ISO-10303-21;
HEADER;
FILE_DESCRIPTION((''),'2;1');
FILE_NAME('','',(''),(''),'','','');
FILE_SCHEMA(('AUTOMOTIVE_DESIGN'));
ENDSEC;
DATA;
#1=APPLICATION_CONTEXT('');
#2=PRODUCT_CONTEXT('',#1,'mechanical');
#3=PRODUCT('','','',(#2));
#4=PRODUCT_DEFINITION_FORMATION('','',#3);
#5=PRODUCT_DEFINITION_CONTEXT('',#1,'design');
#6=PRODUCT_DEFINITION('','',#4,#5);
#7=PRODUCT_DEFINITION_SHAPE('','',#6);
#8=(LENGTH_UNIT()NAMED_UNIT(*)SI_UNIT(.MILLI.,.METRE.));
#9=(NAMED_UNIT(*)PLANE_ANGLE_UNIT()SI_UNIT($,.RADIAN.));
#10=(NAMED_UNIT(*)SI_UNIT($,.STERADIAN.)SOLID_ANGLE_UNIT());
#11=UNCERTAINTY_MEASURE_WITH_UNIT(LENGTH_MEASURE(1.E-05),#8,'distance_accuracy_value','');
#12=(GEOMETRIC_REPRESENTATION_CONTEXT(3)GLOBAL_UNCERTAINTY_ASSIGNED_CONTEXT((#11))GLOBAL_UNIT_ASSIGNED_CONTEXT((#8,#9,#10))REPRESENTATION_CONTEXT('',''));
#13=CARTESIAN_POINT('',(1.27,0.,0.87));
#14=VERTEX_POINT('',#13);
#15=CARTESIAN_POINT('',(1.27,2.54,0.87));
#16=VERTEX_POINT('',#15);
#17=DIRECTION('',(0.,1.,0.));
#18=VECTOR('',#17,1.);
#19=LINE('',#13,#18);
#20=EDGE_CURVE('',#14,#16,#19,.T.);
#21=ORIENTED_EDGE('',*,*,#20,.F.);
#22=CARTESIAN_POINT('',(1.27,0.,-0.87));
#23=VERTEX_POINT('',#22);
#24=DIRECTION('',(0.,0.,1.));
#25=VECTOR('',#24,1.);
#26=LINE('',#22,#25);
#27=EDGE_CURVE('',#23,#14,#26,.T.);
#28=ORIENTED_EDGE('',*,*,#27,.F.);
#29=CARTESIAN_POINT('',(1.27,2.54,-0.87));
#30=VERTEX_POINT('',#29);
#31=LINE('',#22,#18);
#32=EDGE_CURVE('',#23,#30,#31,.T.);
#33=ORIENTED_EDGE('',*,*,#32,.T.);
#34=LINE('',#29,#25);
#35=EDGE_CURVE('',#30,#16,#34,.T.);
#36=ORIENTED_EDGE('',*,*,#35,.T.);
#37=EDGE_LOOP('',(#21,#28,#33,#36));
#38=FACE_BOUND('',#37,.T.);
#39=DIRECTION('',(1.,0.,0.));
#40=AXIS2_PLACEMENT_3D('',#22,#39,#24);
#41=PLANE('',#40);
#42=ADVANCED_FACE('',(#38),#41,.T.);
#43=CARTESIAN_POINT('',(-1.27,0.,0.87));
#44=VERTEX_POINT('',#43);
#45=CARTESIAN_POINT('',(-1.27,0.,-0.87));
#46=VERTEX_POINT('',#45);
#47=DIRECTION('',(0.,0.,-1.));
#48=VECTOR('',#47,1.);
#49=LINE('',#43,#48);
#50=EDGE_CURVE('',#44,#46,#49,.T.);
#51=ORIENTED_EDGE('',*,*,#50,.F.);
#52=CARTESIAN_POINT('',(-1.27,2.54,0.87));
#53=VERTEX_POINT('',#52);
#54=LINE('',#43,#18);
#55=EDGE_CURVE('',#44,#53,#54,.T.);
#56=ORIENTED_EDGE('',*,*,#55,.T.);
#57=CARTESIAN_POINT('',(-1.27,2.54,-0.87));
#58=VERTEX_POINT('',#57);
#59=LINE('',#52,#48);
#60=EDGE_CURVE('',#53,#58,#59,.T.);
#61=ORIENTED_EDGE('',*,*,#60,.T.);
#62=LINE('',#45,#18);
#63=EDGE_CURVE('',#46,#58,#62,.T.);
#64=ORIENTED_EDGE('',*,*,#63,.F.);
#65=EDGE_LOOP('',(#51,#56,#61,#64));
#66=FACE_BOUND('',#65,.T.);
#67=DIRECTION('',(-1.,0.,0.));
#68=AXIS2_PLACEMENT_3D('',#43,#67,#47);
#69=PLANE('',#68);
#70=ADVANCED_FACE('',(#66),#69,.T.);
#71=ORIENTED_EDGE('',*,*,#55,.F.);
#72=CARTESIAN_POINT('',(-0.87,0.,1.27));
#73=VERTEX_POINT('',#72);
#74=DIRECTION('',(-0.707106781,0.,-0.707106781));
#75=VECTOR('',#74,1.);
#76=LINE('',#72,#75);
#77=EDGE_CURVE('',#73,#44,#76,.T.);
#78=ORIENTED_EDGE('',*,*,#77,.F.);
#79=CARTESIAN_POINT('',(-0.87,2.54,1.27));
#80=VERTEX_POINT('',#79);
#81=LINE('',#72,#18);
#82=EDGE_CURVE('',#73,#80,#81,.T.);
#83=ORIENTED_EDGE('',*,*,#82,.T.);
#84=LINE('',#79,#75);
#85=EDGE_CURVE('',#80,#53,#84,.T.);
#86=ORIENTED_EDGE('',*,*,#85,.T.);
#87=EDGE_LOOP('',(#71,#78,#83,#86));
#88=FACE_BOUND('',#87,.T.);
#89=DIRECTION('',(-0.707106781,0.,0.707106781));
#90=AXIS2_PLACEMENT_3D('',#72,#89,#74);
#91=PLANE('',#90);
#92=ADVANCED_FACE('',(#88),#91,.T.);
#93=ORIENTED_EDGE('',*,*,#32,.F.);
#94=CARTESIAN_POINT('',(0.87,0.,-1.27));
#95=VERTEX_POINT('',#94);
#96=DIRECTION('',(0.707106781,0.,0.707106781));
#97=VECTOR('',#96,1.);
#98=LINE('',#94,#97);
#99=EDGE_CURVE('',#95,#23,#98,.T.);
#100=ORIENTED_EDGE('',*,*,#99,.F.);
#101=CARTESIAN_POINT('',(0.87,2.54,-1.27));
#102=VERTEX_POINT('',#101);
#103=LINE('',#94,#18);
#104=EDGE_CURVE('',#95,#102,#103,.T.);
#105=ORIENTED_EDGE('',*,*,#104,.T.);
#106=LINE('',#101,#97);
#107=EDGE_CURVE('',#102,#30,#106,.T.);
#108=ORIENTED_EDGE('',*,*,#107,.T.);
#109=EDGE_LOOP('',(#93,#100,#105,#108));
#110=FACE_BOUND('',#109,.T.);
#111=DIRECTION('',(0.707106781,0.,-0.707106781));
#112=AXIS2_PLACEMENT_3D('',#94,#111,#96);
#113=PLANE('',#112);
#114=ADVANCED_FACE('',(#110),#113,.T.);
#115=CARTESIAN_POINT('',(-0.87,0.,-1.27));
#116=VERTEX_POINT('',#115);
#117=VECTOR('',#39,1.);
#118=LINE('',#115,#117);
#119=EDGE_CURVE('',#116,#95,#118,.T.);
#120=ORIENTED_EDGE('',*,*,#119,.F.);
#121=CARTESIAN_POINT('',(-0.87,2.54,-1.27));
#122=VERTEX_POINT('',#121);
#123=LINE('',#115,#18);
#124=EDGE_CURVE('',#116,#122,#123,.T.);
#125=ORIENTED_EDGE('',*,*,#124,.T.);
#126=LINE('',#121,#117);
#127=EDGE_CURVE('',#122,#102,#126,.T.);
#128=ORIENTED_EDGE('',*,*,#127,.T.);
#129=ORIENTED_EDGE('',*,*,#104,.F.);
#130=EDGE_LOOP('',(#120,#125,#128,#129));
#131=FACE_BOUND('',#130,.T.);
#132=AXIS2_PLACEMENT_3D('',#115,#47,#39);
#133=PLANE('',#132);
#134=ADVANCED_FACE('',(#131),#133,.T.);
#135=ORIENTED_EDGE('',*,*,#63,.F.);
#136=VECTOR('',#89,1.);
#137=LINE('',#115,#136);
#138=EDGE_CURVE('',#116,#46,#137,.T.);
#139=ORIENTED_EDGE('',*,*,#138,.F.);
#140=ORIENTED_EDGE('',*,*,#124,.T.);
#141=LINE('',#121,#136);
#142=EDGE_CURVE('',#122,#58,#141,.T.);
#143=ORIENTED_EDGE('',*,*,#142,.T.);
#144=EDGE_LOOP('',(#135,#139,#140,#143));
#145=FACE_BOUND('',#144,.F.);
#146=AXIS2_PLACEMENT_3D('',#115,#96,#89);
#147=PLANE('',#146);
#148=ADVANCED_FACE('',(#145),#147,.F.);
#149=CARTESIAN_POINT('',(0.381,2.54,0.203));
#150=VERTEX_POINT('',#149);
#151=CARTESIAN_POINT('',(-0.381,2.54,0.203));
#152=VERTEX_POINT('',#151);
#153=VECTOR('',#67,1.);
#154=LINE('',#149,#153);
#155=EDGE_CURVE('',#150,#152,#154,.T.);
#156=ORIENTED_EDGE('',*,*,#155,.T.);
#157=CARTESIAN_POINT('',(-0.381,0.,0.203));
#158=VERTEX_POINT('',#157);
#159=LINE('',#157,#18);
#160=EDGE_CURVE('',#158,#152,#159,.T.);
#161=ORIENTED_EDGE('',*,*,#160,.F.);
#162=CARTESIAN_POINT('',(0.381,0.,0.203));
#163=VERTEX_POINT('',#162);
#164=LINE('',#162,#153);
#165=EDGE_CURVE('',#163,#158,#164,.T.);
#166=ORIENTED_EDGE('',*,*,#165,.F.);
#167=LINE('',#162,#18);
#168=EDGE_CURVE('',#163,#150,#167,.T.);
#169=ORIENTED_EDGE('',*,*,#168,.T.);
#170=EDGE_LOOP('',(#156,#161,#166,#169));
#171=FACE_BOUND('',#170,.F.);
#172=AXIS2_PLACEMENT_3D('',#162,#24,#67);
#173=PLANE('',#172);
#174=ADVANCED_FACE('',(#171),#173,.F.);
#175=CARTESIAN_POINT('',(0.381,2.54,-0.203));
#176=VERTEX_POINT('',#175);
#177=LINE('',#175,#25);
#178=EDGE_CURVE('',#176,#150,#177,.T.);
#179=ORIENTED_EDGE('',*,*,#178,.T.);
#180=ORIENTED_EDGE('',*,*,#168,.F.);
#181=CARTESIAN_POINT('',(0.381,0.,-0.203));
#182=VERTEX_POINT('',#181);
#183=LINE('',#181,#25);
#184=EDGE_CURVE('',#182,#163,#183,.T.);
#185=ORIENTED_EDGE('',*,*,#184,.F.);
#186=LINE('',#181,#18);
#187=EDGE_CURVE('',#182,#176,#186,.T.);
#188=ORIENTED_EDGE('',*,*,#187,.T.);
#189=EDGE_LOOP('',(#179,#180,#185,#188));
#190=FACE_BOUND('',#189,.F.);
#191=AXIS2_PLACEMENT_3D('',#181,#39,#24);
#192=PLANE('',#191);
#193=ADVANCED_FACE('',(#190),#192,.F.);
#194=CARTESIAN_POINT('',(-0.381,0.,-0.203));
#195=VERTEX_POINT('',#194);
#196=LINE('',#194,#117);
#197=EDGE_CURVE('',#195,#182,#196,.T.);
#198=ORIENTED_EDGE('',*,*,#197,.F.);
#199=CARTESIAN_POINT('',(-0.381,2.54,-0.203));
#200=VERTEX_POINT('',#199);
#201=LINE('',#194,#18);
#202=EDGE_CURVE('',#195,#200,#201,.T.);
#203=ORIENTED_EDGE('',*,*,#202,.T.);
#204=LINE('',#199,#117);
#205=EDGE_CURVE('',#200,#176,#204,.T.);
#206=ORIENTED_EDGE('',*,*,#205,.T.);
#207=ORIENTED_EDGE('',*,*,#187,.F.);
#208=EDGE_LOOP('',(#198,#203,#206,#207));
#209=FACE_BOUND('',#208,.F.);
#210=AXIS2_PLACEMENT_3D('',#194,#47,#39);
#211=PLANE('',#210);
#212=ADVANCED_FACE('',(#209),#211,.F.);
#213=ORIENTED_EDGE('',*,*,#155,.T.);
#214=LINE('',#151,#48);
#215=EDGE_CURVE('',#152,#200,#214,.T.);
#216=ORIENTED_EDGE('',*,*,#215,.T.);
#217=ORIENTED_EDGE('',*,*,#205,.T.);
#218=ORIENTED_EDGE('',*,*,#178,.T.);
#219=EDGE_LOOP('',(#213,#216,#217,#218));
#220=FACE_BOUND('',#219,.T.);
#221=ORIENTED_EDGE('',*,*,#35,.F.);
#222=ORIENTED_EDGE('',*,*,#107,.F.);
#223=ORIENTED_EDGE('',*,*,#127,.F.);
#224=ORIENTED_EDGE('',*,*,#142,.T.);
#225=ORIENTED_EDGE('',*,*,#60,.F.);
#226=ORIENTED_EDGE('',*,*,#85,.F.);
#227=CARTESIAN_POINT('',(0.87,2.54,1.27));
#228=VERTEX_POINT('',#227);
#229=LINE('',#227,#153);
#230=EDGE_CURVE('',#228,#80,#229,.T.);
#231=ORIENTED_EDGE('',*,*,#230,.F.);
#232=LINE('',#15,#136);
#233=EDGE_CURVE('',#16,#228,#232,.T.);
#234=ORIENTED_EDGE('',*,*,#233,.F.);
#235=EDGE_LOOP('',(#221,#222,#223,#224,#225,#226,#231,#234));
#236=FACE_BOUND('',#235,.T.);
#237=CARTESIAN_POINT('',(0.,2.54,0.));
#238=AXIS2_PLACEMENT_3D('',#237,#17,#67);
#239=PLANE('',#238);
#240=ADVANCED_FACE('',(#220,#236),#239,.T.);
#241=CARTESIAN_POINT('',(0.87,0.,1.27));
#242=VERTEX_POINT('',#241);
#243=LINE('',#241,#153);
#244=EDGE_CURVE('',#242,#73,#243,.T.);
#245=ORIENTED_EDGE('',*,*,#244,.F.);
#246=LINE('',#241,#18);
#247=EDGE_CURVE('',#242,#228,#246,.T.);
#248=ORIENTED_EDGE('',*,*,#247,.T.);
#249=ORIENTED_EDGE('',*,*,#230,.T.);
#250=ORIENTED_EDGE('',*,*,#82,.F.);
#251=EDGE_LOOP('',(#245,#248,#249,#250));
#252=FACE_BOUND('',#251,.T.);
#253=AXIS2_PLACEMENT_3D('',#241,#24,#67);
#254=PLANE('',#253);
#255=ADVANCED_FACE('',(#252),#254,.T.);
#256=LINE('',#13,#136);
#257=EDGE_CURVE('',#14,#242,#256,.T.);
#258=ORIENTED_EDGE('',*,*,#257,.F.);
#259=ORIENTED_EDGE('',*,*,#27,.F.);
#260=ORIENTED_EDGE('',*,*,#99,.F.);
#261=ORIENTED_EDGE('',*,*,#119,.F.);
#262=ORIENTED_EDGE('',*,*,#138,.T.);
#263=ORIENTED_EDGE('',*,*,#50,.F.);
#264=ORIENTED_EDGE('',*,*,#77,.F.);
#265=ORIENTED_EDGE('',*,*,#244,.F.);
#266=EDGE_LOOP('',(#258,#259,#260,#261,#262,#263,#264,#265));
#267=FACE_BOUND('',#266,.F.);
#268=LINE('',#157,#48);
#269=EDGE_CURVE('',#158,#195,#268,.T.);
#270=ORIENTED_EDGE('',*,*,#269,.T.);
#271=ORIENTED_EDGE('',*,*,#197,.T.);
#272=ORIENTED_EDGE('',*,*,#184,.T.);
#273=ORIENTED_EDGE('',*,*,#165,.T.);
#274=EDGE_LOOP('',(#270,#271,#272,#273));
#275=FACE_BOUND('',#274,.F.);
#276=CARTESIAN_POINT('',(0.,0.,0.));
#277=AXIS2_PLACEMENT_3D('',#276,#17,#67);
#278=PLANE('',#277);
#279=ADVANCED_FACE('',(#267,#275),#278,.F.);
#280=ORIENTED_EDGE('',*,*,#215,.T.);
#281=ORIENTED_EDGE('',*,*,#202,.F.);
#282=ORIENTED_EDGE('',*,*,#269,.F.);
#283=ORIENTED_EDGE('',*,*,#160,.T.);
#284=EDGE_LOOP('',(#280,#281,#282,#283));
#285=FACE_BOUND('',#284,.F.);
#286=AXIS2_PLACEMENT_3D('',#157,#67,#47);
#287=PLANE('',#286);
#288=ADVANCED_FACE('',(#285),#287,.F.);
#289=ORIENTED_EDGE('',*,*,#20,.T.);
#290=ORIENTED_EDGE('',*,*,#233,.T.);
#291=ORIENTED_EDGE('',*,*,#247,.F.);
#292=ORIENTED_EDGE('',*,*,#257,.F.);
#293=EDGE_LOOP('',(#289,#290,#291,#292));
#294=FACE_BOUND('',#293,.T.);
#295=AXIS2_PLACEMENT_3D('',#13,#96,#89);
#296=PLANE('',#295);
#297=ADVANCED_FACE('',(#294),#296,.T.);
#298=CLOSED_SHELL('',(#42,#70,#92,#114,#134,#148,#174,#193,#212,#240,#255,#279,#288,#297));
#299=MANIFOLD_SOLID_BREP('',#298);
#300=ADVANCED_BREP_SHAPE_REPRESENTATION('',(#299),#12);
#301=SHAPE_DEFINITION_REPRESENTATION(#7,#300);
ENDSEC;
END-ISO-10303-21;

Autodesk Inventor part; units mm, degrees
ref_plane "YZ Plane" through (0, 0, 0) normal (1, 0, 0) x (0, 1, 0)
ref_plane "XZ Plane" through (0, 0, 0) normal (0, 1, 0) x (-1, 0, 0)
ref_plane "XY Plane" through (0, 0, 0) normal (0, 0, 1) x (1, 0, 0)
sketch "Sketch1" plane through (0, 0, 0) normal (0, 1, 0) x (-1, 0, 0)
  line L0 (0.87, -1.27) -> (-0.87, -1.27)
  line L1 (-1.27, -0.87) -> (-1.27, 0.87)
  line L2 (-0.87, 1.27) -> (0.87, 1.27)
  line L3 (1.27, 0.87) -> (1.27, -0.87)
  line L4 (1.27, -1.27) -> (-1.27, 1.27) construction
  line L5 (-1.27, -1.27) -> (1.27, 1.27) construction
  line L6 (0.381, -0.203) -> (-0.381, -0.203)
  line L7 (-0.381, -0.203) -> (-0.381, 0.203)
  line L8 (-0.381, 0.203) -> (0.381, 0.203)
  line L9 (0.381, 0.203) -> (0.381, -0.203)
  line L10 (0.381, -0.203) -> (-0.381, 0.203) construction
  line L11 (-0.381, -0.203) -> (0.381, 0.203) construction
  line L12 (0.87, -1.27) -> (1.27, -0.87)
  line L13 (-0.87, -1.27) -> (-1.27, -0.87)
  line L14 (-1.27, 0.87) -> (-0.87, 1.27)
  line L15 (0.87, 1.27) -> (1.27, 0.87)
  point P0 (0, 0)
  dimension "d0" = 2.54
  dimension "d1" = 2.54
  dimension "d2" = 0.406
  dimension "d3" = 0.762
  dimension "d4" = 0.4
  dimension "d5" = 0.4
  dimension "d6" = 0.4
  dimension "d7" = 0.4
  dimension "d8" = 0.4
  dimension "d9" = 0.4
  dimension "d10" = 0.4
  dimension "d11" = 0.4
extrude "Extrusion1" add sketch "Sketch1" along normal blind 2.54
equation "\"d5\" = d4"
equation "\"d6\" = d4"
equation "\"d7\" = d6"
equation "\"d8\" = d4"
equation "\"d9\" = d8"
equation "\"d10\" = d4"
equation "\"d11\" = d10"
properties part number "Holder" material "ABS Plastic"
